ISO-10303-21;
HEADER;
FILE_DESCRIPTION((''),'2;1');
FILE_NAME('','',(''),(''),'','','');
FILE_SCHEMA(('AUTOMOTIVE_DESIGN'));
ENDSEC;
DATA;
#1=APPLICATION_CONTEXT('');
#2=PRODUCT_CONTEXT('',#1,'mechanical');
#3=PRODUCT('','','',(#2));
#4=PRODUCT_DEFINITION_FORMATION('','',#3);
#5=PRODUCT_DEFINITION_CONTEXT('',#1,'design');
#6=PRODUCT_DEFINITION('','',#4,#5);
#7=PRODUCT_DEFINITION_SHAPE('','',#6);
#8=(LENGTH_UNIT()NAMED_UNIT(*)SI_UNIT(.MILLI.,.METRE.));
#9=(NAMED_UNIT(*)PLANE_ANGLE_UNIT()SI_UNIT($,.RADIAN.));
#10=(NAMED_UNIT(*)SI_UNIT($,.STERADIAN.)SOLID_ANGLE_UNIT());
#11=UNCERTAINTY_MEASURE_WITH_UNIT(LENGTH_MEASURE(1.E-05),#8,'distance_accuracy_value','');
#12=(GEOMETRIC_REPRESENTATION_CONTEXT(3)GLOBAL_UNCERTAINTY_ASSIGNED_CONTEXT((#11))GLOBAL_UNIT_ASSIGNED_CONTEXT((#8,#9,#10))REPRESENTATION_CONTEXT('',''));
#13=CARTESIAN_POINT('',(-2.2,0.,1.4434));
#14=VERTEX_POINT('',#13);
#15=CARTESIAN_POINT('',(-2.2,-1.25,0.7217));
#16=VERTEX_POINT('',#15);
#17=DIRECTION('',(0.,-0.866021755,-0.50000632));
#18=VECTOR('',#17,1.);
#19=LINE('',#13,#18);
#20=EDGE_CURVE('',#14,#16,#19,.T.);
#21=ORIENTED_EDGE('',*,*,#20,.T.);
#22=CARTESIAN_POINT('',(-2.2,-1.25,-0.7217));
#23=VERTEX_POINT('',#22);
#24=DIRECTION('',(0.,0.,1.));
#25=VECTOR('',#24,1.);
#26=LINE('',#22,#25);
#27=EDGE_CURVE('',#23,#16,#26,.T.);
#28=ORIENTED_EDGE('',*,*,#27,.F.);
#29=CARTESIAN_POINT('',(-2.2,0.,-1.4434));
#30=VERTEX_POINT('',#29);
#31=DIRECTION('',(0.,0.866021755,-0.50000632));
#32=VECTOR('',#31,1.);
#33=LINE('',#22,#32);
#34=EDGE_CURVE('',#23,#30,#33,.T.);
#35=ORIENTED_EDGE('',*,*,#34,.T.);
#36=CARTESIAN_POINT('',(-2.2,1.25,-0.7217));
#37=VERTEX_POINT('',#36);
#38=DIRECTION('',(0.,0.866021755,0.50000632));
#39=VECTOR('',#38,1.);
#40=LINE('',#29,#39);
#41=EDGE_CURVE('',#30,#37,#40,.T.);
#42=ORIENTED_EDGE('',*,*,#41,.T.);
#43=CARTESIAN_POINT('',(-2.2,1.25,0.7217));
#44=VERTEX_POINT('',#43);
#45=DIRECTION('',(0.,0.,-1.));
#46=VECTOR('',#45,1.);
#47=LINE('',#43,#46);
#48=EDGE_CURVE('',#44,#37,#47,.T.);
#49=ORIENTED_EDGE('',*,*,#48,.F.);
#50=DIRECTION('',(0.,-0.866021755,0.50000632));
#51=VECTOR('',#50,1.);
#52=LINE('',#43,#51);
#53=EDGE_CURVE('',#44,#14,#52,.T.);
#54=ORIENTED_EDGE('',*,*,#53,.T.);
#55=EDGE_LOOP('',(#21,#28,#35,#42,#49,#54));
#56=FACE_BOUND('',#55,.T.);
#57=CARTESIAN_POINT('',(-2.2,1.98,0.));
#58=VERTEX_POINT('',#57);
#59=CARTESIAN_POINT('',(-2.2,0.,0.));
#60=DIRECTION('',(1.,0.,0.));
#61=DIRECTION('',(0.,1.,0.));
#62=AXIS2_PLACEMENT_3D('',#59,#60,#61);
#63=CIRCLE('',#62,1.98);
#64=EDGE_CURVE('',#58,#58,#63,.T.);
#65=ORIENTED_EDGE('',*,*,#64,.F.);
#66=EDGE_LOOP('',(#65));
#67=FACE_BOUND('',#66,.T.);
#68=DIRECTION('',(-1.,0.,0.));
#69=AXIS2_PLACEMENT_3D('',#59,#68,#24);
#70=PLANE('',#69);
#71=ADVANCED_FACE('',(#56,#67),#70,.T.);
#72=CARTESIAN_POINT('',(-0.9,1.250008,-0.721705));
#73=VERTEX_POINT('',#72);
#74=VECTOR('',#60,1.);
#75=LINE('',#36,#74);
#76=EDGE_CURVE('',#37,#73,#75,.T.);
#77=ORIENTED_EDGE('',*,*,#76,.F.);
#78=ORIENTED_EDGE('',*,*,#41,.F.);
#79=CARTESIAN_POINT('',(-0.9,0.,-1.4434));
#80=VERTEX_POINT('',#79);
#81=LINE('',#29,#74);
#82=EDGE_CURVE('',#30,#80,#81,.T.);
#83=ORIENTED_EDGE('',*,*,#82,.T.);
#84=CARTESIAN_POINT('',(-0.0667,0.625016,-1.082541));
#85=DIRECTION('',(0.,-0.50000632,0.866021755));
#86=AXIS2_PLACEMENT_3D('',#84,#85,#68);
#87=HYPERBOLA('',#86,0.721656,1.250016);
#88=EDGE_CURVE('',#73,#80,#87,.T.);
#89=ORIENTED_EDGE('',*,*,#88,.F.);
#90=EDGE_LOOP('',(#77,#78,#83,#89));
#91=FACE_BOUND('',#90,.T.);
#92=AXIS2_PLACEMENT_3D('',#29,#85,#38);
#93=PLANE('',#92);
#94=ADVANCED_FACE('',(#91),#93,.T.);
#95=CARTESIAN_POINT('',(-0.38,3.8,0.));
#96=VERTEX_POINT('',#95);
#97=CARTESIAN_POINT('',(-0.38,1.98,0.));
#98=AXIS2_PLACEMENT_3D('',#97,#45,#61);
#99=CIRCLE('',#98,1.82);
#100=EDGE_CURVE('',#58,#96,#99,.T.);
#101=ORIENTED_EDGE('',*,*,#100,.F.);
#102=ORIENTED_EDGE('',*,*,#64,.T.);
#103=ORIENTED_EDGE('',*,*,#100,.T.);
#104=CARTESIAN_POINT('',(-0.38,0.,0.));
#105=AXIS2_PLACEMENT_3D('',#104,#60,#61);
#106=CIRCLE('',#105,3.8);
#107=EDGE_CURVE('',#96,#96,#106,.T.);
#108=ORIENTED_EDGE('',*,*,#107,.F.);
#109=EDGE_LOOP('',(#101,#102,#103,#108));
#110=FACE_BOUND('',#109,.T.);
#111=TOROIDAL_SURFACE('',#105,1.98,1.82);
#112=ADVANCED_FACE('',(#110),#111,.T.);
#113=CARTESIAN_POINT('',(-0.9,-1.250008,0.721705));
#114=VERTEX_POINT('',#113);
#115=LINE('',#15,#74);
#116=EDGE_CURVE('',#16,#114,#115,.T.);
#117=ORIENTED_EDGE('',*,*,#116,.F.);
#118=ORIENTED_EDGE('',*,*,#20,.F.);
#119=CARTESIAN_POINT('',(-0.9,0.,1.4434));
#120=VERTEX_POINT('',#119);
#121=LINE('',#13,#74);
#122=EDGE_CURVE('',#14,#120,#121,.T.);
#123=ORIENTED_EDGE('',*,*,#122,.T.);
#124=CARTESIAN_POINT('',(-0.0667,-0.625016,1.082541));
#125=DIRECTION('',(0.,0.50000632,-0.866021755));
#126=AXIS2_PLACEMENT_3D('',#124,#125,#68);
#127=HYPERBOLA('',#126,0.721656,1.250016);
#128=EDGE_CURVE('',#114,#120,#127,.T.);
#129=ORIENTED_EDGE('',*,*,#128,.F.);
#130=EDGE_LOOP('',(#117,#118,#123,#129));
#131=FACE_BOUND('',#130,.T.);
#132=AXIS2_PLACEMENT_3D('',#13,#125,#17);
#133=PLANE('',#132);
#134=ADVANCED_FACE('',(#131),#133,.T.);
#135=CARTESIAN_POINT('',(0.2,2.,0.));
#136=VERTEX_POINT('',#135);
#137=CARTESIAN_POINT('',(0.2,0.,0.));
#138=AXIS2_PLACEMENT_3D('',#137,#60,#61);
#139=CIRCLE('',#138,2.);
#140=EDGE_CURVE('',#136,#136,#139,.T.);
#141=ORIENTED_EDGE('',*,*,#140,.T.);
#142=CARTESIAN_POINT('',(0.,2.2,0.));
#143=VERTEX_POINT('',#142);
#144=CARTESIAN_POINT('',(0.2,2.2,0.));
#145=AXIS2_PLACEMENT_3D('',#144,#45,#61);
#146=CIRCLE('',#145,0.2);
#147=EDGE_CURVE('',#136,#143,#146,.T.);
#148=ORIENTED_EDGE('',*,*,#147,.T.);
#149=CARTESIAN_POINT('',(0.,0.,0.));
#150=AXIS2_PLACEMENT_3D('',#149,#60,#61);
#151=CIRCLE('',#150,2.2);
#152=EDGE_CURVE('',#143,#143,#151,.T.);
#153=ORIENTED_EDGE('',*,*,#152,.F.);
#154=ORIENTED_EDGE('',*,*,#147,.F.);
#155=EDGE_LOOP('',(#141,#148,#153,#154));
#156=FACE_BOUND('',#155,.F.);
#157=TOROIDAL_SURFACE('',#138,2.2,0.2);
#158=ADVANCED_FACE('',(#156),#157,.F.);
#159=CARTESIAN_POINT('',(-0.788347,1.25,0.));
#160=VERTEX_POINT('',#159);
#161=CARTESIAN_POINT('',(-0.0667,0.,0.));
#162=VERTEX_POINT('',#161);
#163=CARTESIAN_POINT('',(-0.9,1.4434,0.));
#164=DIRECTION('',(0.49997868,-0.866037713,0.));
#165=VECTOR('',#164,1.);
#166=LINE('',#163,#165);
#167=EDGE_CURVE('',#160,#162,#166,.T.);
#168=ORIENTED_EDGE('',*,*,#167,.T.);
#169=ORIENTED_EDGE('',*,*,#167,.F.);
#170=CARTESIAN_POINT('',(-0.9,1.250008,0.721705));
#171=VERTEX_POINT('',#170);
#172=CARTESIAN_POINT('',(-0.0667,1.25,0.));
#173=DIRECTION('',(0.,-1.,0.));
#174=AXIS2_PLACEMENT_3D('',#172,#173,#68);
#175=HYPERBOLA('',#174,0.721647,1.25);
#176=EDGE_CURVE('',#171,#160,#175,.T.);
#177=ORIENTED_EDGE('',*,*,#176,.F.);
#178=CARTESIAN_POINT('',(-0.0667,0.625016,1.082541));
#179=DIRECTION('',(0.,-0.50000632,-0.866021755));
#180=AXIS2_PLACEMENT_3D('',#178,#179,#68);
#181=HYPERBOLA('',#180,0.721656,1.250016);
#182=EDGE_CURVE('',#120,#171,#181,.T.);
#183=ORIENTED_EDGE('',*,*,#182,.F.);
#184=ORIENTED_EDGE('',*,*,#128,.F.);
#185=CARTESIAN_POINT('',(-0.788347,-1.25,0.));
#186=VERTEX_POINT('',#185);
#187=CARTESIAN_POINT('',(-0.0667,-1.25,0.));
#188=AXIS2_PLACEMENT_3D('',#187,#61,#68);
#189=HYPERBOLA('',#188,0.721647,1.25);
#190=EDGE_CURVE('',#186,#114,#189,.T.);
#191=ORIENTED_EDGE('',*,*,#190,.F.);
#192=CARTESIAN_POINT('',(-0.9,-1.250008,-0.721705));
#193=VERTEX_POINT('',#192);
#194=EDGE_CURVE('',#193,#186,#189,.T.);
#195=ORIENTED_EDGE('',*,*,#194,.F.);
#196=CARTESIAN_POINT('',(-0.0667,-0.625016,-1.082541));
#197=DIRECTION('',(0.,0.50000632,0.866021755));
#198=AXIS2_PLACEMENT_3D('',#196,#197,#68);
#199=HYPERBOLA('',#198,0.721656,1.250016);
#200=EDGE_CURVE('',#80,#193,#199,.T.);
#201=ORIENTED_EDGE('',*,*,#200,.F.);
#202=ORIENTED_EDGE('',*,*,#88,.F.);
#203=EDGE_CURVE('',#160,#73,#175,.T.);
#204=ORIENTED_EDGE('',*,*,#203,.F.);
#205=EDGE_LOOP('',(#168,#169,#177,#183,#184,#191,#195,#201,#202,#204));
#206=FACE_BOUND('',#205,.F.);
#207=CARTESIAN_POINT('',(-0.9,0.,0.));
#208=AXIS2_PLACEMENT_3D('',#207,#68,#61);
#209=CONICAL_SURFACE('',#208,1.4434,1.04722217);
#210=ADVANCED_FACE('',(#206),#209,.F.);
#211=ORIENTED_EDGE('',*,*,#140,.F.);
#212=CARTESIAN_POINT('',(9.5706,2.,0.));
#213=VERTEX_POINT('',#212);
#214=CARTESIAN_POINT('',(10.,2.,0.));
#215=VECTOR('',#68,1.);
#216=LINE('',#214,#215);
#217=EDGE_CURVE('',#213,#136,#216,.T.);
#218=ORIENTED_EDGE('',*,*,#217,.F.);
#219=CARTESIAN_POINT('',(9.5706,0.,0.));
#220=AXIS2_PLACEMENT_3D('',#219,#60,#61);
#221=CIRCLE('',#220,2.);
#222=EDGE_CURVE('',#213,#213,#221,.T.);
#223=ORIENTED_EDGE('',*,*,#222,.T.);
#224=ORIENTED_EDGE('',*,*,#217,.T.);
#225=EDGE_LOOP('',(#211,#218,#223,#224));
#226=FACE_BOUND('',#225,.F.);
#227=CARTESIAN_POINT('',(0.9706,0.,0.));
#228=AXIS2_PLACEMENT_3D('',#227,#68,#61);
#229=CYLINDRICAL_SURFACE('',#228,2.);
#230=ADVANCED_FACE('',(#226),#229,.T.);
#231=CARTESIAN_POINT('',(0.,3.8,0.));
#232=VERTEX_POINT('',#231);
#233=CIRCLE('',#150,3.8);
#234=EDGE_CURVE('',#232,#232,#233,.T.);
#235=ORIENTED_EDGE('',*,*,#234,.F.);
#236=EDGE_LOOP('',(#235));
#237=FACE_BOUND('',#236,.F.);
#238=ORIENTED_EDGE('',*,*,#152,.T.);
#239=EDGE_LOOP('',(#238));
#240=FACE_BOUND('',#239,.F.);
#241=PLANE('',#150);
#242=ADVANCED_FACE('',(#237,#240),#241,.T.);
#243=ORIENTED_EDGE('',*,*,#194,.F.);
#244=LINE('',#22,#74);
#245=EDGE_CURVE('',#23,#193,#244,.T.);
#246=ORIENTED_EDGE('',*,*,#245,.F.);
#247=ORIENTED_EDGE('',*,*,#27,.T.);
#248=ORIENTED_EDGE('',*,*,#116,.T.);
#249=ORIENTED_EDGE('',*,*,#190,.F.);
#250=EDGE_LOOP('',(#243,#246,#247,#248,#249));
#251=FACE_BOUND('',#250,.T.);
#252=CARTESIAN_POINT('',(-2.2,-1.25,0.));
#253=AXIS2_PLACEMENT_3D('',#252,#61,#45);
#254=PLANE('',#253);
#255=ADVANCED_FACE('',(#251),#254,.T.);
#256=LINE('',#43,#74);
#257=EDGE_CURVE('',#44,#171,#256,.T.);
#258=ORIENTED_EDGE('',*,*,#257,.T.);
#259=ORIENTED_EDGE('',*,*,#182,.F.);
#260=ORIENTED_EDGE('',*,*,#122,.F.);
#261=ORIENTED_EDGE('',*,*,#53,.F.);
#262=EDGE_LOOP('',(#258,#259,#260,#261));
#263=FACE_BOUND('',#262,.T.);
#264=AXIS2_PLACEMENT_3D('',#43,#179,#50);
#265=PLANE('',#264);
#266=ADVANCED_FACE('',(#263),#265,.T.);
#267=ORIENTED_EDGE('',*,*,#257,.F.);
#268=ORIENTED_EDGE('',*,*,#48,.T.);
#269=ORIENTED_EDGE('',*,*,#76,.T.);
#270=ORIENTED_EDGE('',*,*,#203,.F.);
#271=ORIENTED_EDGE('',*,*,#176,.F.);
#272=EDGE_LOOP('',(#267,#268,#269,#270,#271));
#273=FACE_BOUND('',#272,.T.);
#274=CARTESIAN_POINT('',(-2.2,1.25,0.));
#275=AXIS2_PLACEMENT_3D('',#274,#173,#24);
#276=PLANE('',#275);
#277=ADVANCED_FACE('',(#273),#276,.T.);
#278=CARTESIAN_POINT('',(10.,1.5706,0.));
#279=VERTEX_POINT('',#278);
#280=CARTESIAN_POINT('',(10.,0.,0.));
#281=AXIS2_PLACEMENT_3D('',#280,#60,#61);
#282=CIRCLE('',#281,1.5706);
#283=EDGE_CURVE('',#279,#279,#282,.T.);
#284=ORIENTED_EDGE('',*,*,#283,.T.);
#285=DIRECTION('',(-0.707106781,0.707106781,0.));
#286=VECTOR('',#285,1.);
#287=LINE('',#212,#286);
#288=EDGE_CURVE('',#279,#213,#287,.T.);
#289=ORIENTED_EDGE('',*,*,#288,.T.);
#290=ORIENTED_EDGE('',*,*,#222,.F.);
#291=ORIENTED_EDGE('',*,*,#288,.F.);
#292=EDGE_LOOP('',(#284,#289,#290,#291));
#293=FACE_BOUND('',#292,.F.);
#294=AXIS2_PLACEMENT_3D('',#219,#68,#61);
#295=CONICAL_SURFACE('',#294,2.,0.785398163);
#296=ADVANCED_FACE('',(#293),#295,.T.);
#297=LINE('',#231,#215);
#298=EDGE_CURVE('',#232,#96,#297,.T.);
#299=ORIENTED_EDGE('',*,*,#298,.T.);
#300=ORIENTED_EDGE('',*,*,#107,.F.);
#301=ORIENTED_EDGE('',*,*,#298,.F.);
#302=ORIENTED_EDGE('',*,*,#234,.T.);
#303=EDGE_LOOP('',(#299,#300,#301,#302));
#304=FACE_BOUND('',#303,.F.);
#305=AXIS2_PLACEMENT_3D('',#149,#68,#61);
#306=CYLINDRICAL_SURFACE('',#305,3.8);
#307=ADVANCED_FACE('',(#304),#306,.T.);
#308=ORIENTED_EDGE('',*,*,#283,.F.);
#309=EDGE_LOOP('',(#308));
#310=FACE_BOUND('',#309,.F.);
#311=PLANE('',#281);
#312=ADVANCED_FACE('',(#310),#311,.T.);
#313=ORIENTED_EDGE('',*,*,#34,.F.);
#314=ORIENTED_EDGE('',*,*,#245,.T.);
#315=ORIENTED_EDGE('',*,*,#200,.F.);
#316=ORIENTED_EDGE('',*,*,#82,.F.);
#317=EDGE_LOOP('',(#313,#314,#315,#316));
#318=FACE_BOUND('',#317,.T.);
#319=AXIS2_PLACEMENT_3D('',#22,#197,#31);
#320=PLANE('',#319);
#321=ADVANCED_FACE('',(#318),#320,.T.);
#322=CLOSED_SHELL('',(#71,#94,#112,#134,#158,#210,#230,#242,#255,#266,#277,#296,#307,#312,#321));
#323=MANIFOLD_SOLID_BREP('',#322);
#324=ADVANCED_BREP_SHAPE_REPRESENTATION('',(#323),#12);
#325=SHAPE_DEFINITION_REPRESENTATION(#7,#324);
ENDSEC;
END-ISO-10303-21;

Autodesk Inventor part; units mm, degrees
ref_plane "YZ Plane" through (0, 0, 0) normal (1, 0, 0) x (0, 1, 0)
ref_plane "XZ Plane" through (0, 0, 0) normal (0, 1, 0) x (-1, 0, 0)
sketch "Sketch1" plane through (0, 0, 0) normal (0, 0, 1) x (1, 0, 0)
  line L0 (-0.0667, 0) -> (10, 0)
  line L1 (10, 0) -> (10, 2)
  line L2 (10, 2) -> (1.4, 2)
  line L3 (1.4, 2) -> (0.9706, 2)
  line L4 (0.9706, 2) -> (0, 2)
  line L5 (0, 2) -> (0, 3.8)
  line L6 (0, 3.8) -> (-2.2, 3.8)
  line L7 (-2.2, 3.8) -> (-2.2, 1.4434)
  line L8 (-2.2, 1.4434) -> (-0.9, 1.4434)
  line L9 (-0.9, 1.4434) -> (-0.0667, 0)
  line L10 (-4.64, 0) -> (12.44, 0) projected
  line L11 (0, -0.76) -> (0, 4.56) projected
  line L12 (1.4, 2) -> (0, 2) construction
  dimension "d0" = 8.6
  dimension "d1" = 0.4294
  dimension "d2" = 2.2
  dimension "d3" = 1.3
  dimension "d4" = 60
  dimension "d5" = 4
  dimension "d6" = 4
  dimension "d7" = 2.8868
  dimension "d8" = 7.6
  dimension "d19" = 10
revolve "Body" add sketch "Sketch1" angle 360 about axis through (-0.0667, 0, 0) along (1, 0, 0)
sketch "Sketch2" plane through (-2.2, 0, 0) normal (-1, 0, 0) x (0, 0, 1)
  circle A0 centre (0, 0) radius 1.4434 projected
  line L0 (0, -5.32) -> (0, 5.32) projected
  line L1 (-5.32, 0) -> (5.32, 0) projected
  line L2 (1.4434, 0) -> (0.7217, -1.25)
  line L3 (0.7217, -1.25) -> (-0.7217, -1.25)
  line L4 (-0.7217, -1.25) -> (-1.4434, 0)
  line L5 (-1.4434, 0) -> (-0.7217, 1.25)
  line L6 (-0.7217, 1.25) -> (0.7217, 1.25)
  line L7 (0.7217, 1.25) -> (1.4434, 0)
extrude "Slot" add sketch "Sketch2" against normal up to next contours L7 A0 | A0 L2 | L6 L0 A0 | A0 L0 L3 | L0 L6 A0 | A0 L3 L0 | L4 A0 | A0 L5
fillet "Fillet1" radius 1.82 1 edges at (-2.2, -3.8, 0)
thread "Thread" size "M4x0.7" class "4g6g" standard "ANSI Metric M Profile" length 8.6
chamfer "Chamfer1" distance 0.4294 distance2 0.4294 1 edges at (10, -2, 0) measured on face at (10, 0.556, 0.0273)
fillet "Fillet2" radius 0.2 1 edges at (0, -2, 0)
ref_plane "Work Plane1" through (30, 0, 0) normal (0, -0.5, 0.866) x (1, 0, 0)
equation "\"d0\" = GEL"
equation "\"d1\" = GAL"
equation "\"d2\" = KOH"
equation "\"d3\" = INTI"
equation "\"d5\" = GD"
equation "\"d6\" = BDM"
equation "\"d7\" = 1.1547 * SW"
equation "\"d8\" = KOD"
equation "\"d19\" = NLG"
equation "\"d16\" = RR"
equation "\"d12\" = GEL"
equation "\"d14\" = -0.5 * SPD + 0.5 * GD"
equation "\"d15\" = GUL"
equation "\"d29\" = R"
equation "\"GD\" = NND"
equation "\"NLG\" = 10"
equation "\"GEL\" = 8.6"
equation "\"KOD\" = 7.6"
equation "\"KOH\" = 2.2"
equation "\"INTI\" = 1.3"
equation "\"GAL\" = 0.61345 * PTC"
equation "\"GUL\" = 0.61345 * PTC"
equation "\"BDM\" = NND"
equation "\"SW\" = 2.5"
equation "\"RR\" = 1.82"
equation "\"SPD\" = 3.14117"
equation "\"d28\" = R"
equation "\"R\" = 0.2"
equation "\"TOA\" = 30deg"
equation "\"THREADDIA\" = 4"
equation "\"KOD1\" = KOD - 2 * RR"
equation "\"PTC\" = 0.7"
equation "\"NND\" = 4"
equation "\"E0\" = 1.155 * SW"
equation "\"GD1\" = THREADDIA - 1.2269 * PTC"
properties part number "ANSI B18.3.4M - M4 x 0.7 x 10, FHSBHCSM" material "Steel, Mild"
